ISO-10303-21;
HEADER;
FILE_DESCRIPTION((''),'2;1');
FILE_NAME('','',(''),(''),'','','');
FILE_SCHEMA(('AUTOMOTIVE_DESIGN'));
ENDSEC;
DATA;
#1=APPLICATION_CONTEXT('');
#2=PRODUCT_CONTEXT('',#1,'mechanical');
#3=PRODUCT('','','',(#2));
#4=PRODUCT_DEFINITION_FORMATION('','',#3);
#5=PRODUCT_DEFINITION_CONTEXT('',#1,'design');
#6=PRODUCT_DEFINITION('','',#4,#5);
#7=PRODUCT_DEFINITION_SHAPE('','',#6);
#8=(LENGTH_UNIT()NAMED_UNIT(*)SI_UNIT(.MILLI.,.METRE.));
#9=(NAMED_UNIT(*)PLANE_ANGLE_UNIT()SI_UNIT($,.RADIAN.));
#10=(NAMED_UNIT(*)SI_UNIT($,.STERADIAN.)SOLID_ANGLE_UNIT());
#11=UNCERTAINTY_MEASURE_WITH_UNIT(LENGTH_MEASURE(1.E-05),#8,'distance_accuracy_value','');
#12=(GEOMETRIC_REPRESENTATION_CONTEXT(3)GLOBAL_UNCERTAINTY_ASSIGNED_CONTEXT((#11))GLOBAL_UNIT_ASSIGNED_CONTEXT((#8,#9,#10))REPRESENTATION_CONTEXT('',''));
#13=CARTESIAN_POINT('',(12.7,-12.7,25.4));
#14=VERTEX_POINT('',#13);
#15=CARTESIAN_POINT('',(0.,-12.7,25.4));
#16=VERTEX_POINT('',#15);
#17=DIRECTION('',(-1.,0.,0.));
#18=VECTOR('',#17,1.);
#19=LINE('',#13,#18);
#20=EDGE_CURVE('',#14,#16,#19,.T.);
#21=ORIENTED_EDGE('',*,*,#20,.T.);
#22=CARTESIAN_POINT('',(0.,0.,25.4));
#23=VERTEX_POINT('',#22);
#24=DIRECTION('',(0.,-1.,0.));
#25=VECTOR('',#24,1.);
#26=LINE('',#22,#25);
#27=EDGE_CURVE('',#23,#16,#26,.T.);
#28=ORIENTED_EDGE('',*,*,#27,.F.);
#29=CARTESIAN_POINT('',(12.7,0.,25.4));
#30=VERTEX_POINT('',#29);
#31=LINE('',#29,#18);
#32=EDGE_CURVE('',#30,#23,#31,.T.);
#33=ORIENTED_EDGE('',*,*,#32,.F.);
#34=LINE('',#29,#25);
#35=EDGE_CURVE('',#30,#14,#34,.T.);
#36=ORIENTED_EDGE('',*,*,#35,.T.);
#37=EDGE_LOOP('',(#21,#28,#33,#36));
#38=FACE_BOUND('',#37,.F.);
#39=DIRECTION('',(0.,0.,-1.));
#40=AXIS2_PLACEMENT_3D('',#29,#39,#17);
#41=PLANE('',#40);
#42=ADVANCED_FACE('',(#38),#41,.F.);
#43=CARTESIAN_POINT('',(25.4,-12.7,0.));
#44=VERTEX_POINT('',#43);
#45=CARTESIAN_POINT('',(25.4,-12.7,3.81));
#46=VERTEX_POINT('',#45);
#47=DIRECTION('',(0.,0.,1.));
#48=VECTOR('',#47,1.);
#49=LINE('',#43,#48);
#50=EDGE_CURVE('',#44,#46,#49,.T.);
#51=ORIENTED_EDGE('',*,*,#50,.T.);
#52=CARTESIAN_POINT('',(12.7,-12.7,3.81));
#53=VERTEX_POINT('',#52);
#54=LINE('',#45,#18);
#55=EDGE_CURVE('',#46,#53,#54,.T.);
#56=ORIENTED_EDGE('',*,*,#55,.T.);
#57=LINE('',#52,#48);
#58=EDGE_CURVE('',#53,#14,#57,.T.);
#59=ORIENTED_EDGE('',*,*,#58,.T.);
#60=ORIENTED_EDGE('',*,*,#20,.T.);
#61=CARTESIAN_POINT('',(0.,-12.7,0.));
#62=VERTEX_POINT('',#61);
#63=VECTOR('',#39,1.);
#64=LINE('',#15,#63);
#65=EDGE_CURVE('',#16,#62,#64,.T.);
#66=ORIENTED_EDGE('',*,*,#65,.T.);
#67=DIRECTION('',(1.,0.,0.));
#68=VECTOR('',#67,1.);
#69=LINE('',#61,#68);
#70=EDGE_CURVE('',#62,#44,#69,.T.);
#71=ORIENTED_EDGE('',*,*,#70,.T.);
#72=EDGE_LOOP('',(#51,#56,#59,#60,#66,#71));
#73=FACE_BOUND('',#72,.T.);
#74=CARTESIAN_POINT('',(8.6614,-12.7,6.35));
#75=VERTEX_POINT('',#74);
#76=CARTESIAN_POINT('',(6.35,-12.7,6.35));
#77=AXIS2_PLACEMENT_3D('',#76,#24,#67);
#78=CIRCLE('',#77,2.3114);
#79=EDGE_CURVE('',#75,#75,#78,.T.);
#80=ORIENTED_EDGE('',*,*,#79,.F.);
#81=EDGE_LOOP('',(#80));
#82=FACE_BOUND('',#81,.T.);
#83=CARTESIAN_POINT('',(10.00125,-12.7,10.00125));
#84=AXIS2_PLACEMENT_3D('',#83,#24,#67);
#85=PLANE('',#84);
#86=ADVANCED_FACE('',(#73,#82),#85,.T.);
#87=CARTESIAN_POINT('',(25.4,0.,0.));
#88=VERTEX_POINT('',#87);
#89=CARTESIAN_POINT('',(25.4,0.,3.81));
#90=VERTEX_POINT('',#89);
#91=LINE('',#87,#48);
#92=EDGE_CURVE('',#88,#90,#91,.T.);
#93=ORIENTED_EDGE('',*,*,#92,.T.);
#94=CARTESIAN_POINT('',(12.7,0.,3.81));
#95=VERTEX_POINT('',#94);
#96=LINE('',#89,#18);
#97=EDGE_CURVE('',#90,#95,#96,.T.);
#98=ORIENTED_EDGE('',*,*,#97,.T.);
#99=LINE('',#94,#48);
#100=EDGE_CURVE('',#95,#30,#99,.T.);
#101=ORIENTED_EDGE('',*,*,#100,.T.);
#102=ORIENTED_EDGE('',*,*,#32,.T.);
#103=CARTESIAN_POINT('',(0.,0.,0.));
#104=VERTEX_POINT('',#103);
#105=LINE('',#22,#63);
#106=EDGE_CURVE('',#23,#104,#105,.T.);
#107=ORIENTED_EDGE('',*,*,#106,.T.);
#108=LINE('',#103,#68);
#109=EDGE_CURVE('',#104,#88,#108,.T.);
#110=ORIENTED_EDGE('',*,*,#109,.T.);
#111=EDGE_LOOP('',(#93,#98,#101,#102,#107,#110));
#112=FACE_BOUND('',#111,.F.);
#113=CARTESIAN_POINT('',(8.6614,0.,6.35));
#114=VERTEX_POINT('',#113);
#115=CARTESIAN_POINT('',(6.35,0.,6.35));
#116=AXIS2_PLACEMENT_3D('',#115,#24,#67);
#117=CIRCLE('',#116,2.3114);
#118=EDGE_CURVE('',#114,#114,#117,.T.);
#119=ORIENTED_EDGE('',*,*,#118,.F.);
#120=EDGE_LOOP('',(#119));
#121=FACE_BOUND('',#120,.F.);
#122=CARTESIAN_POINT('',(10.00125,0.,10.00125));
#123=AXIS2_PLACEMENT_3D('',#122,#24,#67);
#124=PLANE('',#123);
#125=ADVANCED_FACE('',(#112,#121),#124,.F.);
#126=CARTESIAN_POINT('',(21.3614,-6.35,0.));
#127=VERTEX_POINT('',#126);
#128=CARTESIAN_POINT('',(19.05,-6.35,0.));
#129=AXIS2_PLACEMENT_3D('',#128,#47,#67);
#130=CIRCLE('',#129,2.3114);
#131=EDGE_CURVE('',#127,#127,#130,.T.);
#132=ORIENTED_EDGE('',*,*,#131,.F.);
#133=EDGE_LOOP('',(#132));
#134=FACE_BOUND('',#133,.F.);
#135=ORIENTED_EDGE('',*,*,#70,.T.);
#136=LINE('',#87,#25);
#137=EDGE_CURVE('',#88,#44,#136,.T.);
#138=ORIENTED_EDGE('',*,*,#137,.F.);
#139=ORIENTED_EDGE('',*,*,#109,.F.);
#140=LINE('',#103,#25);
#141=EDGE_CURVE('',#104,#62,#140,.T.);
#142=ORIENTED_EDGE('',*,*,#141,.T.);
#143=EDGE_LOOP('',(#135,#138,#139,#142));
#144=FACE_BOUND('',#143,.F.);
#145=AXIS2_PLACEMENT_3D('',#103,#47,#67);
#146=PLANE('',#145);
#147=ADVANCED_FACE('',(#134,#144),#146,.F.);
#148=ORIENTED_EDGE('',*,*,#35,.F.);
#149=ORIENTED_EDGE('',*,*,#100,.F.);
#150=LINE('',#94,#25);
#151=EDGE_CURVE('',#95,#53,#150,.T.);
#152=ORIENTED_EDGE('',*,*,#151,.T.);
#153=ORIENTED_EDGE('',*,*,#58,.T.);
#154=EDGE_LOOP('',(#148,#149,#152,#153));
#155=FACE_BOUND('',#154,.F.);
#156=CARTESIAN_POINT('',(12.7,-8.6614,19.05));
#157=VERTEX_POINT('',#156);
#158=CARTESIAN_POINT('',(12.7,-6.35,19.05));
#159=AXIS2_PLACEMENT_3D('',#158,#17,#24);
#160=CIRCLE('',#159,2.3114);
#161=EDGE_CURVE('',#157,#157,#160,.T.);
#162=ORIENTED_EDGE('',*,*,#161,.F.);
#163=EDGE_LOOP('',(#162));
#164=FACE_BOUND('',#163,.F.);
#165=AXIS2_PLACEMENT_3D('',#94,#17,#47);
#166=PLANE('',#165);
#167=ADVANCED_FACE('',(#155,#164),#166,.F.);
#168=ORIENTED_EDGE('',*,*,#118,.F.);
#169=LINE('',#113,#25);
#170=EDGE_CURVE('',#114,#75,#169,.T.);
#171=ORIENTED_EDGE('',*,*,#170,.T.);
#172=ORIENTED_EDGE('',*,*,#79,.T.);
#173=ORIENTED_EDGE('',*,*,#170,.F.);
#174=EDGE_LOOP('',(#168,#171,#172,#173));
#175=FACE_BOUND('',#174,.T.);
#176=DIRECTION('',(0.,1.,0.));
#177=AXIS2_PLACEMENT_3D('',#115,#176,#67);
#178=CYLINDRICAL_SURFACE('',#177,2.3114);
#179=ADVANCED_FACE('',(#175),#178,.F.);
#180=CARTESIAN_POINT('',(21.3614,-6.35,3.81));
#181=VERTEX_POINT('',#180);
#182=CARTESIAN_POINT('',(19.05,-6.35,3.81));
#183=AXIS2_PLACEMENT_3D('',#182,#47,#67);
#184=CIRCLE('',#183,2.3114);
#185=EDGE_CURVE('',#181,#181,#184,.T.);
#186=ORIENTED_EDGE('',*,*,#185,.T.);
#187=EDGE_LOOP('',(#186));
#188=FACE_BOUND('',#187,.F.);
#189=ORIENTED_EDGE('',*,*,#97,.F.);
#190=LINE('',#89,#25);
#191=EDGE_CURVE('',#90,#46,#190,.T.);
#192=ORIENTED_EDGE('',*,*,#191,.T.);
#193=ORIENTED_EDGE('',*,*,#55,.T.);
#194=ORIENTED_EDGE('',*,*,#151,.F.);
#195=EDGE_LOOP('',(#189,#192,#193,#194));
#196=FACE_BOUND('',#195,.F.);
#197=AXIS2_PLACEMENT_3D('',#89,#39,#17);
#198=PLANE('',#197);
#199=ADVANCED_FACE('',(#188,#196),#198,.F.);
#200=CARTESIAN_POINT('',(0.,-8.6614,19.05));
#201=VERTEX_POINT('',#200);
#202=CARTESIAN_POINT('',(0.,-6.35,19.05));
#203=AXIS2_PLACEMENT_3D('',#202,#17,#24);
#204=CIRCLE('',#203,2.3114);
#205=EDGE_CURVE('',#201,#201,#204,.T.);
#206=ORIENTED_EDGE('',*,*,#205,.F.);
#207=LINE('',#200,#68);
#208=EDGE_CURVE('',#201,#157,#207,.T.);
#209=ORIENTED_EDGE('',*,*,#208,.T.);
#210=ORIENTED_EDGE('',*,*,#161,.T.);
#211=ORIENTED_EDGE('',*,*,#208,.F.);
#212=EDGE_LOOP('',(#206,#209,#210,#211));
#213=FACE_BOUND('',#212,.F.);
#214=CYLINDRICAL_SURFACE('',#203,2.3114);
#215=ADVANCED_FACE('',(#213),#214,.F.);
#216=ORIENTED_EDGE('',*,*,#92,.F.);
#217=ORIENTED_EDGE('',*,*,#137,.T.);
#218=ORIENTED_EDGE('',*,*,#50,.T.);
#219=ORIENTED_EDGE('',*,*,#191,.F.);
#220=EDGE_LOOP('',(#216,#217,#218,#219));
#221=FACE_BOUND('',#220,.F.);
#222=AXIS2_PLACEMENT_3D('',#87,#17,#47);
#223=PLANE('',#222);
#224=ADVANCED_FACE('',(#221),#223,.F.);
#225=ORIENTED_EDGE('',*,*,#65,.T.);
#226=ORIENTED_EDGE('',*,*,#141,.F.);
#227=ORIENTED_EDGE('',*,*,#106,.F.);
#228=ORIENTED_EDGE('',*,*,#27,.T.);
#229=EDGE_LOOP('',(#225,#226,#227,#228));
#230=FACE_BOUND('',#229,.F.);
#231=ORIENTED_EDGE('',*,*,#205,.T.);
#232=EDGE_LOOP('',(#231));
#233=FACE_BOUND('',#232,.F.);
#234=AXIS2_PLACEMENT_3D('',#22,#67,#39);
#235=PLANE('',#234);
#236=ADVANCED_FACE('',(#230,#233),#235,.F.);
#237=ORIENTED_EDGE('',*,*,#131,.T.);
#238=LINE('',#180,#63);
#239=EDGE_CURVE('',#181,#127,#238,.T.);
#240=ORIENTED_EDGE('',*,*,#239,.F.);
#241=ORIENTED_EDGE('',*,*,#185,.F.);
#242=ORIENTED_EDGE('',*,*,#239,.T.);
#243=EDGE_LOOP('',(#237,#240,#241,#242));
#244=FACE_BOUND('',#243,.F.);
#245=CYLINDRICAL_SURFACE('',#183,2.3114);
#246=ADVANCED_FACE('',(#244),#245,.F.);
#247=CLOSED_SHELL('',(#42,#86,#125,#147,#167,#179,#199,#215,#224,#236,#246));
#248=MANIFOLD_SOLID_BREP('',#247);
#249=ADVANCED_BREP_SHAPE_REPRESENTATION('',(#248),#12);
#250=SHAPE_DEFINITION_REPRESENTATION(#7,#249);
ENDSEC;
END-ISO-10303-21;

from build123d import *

# Parameters (mm, degrees)
F0_R     = 2.3114
F1_DEPTH = 12.7
F2_R     = 2.3114
F3_DEPTH = 25.4
F4_R     = 2.3114
F5_DEPTH = 3.81


with BuildPart() as f1:
    # F0 (on Front) → F1 (new body)
    with BuildSketch(Plane.XZ):
        Polygon((0, 25.4), (0, 0), (25.4, 0), (25.4, 3.81), (12.7, 3.81), (12.7, 25.4), align=None)
        with Locations((6.35, 6.35)):
            Circle(F0_R, mode=Mode.SUBTRACT)
    extrude(amount=F1_DEPTH)

    # F2 (on face) → F3 (cut)
    with BuildSketch(Plane(origin=(0, 0, 0), x_dir=(0, -1, 0), z_dir=(-1, 0, 0))):
        with Locations((6.35, 19.05)):
            Circle(F2_R)
    extrude(amount=-F3_DEPTH, mode=Mode.SUBTRACT)

    # F4 (on face) → F5 (cut)
    with BuildSketch(Plane.XY.offset(3.81)):
        with Locations((19.05, -6.35)):
            Circle(F4_R)
    extrude(amount=-F5_DEPTH, mode=Mode.SUBTRACT)


solid = f1.part
